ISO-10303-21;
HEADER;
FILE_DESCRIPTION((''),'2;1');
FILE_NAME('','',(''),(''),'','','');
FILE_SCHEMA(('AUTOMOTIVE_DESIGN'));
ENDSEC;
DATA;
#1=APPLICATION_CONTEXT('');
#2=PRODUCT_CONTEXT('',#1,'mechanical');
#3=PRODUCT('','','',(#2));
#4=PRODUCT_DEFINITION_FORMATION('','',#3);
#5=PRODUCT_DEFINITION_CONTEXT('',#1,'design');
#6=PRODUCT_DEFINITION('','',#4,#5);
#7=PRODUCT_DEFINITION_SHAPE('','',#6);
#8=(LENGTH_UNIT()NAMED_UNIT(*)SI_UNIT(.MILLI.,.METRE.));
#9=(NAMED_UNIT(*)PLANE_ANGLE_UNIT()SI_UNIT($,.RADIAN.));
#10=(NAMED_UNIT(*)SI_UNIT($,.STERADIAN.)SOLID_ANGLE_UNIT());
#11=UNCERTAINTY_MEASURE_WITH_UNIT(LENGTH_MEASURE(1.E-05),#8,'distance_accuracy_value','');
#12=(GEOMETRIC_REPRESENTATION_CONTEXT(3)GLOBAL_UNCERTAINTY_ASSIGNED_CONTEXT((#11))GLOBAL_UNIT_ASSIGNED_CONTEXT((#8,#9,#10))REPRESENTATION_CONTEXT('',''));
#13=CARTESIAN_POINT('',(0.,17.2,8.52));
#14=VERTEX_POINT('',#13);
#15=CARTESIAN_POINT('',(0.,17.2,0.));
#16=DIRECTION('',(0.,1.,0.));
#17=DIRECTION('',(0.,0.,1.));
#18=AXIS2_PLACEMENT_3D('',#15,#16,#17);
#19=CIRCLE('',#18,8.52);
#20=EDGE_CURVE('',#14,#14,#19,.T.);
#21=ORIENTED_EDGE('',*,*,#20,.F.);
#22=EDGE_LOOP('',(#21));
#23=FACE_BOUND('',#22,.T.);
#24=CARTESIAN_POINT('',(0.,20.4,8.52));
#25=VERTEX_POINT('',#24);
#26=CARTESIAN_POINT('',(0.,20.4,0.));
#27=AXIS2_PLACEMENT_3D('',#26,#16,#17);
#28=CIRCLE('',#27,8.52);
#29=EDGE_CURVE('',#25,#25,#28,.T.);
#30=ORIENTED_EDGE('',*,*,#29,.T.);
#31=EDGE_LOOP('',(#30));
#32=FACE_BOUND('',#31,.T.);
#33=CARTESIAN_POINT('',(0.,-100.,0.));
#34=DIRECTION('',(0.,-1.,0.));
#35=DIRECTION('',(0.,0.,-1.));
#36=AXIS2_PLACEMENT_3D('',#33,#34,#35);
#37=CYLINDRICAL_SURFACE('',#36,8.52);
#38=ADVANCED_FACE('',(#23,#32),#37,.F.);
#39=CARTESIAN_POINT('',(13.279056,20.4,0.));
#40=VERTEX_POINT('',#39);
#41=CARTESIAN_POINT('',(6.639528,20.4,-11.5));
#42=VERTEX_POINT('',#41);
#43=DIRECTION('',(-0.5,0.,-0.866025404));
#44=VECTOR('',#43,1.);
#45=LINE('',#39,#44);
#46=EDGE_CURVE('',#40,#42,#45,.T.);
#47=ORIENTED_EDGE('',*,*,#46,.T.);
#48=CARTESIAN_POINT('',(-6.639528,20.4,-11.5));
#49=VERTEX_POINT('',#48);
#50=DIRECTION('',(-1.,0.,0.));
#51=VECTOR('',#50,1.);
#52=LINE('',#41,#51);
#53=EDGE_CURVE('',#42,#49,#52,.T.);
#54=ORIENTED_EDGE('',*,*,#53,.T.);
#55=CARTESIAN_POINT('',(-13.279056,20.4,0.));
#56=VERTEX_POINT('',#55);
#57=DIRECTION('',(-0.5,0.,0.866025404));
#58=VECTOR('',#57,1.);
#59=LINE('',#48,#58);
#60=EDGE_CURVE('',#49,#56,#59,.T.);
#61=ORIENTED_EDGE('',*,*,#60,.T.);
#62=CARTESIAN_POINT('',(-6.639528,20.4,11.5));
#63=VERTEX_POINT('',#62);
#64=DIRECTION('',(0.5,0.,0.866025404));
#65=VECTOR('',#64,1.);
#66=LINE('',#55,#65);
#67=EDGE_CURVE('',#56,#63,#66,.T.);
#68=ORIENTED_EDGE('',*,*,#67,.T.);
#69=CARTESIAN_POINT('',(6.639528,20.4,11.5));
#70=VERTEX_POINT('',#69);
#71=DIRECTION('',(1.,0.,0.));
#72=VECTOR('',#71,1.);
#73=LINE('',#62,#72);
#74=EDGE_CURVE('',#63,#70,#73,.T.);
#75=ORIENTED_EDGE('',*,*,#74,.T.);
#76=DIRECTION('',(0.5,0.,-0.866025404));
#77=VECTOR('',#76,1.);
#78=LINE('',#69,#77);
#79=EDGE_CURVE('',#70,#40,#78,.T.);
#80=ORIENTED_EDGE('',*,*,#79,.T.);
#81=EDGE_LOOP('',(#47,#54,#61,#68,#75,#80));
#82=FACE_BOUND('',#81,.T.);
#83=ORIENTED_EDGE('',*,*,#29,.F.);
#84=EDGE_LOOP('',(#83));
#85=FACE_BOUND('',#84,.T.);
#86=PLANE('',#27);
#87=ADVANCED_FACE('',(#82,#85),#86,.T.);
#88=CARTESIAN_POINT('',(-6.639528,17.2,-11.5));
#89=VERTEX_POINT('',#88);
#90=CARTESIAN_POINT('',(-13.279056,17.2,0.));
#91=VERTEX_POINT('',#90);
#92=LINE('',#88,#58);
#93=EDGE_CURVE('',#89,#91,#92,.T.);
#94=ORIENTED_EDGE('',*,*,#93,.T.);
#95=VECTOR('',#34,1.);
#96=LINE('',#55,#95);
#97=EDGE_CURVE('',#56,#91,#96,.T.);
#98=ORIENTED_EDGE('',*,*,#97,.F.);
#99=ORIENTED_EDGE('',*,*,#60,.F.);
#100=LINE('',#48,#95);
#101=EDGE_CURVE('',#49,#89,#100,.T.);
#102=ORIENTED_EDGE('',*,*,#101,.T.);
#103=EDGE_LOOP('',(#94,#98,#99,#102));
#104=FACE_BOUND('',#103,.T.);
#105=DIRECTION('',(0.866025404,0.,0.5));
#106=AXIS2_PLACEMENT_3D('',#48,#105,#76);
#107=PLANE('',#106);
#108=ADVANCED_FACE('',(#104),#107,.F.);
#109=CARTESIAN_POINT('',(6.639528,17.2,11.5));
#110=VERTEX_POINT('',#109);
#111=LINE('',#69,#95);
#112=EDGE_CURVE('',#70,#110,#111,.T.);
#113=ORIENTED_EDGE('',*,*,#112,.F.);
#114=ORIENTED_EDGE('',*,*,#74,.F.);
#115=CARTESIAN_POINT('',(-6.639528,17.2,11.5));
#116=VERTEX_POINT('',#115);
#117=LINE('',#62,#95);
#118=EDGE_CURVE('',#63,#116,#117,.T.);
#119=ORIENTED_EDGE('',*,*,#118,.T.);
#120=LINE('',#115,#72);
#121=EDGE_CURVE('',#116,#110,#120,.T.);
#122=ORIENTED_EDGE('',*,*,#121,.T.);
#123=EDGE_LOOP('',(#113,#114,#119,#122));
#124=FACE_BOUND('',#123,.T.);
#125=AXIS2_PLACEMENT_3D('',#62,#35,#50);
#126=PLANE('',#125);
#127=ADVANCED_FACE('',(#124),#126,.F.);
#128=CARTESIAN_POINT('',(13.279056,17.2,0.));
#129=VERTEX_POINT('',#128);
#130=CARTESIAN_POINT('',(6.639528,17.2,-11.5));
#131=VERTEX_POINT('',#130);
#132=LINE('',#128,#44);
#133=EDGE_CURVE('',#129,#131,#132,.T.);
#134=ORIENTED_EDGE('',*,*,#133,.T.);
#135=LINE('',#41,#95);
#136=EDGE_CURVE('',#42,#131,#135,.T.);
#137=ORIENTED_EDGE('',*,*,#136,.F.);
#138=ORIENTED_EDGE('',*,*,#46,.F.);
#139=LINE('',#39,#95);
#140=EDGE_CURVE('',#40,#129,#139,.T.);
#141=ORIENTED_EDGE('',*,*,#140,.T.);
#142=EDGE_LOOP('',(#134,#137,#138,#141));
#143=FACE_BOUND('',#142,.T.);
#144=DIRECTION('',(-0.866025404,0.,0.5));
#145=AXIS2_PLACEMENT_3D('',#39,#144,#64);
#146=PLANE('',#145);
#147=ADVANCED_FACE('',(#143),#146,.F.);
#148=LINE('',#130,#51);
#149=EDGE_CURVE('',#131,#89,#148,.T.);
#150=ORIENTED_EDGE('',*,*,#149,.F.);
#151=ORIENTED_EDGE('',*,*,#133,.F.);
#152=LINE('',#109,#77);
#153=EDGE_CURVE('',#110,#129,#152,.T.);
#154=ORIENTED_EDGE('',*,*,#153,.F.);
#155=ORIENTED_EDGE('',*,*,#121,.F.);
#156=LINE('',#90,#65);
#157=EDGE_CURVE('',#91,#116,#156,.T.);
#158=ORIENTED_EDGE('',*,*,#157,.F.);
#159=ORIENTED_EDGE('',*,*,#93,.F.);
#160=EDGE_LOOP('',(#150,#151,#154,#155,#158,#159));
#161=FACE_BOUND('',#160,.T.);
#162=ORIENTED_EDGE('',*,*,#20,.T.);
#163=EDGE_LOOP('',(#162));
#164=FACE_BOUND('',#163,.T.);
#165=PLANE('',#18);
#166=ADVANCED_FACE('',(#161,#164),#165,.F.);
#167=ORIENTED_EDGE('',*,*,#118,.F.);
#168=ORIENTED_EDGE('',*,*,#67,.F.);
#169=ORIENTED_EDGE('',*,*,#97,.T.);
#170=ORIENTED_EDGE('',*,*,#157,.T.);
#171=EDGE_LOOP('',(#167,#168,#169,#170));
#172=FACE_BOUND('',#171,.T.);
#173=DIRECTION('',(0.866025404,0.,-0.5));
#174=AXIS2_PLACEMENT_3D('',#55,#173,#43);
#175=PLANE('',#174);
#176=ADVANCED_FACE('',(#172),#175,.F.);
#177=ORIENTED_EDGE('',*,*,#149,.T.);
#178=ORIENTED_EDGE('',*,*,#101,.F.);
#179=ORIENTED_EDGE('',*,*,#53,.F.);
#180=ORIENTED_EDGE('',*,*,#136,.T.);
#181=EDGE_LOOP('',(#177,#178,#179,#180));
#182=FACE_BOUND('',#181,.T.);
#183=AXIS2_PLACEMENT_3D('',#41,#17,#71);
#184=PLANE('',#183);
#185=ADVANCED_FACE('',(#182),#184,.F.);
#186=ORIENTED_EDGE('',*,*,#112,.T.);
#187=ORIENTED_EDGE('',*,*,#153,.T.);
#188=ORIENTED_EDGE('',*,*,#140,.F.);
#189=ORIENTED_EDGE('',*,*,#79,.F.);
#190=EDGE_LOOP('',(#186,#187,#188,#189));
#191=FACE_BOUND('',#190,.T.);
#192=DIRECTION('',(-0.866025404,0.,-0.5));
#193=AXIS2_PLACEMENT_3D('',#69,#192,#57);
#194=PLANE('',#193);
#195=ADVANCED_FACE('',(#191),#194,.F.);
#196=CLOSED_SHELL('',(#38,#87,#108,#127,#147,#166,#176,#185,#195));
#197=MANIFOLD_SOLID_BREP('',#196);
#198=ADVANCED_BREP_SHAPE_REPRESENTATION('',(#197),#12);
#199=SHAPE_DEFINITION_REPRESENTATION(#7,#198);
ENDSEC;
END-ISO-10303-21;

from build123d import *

# Parameters (mm, degrees)
NUT_DEPTH     = 3.2
BORE_SKETCH_W = 8.52
BORE_SKETCH_H = 5.2


with BuildPart() as part:
    # Nut Sketch → Nut (new body)
    with BuildSketch(Plane(origin=(0, 17.2, 0), x_dir=(1, 0, 0), z_dir=(0, 1, 0))):
        Polygon((13.279056191, 0), (6.639528096, 11.5), (-6.639528096, 11.5), (-13.279056191, 0), (-6.639528096, -11.5), (6.639528096, -11.5), align=None)
    extrude(amount=NUT_DEPTH)

    # Bore Sketch → Bore (revolve, cut)
    with BuildSketch(Plane.XY):
        with Locations((4.26, 18.8)):
            Rectangle(BORE_SKETCH_W, BORE_SKETCH_H)
    revolve(axis=Axis((0, -100, 0), (0, 1, 0)), mode=Mode.SUBTRACT)


solid = part.part
